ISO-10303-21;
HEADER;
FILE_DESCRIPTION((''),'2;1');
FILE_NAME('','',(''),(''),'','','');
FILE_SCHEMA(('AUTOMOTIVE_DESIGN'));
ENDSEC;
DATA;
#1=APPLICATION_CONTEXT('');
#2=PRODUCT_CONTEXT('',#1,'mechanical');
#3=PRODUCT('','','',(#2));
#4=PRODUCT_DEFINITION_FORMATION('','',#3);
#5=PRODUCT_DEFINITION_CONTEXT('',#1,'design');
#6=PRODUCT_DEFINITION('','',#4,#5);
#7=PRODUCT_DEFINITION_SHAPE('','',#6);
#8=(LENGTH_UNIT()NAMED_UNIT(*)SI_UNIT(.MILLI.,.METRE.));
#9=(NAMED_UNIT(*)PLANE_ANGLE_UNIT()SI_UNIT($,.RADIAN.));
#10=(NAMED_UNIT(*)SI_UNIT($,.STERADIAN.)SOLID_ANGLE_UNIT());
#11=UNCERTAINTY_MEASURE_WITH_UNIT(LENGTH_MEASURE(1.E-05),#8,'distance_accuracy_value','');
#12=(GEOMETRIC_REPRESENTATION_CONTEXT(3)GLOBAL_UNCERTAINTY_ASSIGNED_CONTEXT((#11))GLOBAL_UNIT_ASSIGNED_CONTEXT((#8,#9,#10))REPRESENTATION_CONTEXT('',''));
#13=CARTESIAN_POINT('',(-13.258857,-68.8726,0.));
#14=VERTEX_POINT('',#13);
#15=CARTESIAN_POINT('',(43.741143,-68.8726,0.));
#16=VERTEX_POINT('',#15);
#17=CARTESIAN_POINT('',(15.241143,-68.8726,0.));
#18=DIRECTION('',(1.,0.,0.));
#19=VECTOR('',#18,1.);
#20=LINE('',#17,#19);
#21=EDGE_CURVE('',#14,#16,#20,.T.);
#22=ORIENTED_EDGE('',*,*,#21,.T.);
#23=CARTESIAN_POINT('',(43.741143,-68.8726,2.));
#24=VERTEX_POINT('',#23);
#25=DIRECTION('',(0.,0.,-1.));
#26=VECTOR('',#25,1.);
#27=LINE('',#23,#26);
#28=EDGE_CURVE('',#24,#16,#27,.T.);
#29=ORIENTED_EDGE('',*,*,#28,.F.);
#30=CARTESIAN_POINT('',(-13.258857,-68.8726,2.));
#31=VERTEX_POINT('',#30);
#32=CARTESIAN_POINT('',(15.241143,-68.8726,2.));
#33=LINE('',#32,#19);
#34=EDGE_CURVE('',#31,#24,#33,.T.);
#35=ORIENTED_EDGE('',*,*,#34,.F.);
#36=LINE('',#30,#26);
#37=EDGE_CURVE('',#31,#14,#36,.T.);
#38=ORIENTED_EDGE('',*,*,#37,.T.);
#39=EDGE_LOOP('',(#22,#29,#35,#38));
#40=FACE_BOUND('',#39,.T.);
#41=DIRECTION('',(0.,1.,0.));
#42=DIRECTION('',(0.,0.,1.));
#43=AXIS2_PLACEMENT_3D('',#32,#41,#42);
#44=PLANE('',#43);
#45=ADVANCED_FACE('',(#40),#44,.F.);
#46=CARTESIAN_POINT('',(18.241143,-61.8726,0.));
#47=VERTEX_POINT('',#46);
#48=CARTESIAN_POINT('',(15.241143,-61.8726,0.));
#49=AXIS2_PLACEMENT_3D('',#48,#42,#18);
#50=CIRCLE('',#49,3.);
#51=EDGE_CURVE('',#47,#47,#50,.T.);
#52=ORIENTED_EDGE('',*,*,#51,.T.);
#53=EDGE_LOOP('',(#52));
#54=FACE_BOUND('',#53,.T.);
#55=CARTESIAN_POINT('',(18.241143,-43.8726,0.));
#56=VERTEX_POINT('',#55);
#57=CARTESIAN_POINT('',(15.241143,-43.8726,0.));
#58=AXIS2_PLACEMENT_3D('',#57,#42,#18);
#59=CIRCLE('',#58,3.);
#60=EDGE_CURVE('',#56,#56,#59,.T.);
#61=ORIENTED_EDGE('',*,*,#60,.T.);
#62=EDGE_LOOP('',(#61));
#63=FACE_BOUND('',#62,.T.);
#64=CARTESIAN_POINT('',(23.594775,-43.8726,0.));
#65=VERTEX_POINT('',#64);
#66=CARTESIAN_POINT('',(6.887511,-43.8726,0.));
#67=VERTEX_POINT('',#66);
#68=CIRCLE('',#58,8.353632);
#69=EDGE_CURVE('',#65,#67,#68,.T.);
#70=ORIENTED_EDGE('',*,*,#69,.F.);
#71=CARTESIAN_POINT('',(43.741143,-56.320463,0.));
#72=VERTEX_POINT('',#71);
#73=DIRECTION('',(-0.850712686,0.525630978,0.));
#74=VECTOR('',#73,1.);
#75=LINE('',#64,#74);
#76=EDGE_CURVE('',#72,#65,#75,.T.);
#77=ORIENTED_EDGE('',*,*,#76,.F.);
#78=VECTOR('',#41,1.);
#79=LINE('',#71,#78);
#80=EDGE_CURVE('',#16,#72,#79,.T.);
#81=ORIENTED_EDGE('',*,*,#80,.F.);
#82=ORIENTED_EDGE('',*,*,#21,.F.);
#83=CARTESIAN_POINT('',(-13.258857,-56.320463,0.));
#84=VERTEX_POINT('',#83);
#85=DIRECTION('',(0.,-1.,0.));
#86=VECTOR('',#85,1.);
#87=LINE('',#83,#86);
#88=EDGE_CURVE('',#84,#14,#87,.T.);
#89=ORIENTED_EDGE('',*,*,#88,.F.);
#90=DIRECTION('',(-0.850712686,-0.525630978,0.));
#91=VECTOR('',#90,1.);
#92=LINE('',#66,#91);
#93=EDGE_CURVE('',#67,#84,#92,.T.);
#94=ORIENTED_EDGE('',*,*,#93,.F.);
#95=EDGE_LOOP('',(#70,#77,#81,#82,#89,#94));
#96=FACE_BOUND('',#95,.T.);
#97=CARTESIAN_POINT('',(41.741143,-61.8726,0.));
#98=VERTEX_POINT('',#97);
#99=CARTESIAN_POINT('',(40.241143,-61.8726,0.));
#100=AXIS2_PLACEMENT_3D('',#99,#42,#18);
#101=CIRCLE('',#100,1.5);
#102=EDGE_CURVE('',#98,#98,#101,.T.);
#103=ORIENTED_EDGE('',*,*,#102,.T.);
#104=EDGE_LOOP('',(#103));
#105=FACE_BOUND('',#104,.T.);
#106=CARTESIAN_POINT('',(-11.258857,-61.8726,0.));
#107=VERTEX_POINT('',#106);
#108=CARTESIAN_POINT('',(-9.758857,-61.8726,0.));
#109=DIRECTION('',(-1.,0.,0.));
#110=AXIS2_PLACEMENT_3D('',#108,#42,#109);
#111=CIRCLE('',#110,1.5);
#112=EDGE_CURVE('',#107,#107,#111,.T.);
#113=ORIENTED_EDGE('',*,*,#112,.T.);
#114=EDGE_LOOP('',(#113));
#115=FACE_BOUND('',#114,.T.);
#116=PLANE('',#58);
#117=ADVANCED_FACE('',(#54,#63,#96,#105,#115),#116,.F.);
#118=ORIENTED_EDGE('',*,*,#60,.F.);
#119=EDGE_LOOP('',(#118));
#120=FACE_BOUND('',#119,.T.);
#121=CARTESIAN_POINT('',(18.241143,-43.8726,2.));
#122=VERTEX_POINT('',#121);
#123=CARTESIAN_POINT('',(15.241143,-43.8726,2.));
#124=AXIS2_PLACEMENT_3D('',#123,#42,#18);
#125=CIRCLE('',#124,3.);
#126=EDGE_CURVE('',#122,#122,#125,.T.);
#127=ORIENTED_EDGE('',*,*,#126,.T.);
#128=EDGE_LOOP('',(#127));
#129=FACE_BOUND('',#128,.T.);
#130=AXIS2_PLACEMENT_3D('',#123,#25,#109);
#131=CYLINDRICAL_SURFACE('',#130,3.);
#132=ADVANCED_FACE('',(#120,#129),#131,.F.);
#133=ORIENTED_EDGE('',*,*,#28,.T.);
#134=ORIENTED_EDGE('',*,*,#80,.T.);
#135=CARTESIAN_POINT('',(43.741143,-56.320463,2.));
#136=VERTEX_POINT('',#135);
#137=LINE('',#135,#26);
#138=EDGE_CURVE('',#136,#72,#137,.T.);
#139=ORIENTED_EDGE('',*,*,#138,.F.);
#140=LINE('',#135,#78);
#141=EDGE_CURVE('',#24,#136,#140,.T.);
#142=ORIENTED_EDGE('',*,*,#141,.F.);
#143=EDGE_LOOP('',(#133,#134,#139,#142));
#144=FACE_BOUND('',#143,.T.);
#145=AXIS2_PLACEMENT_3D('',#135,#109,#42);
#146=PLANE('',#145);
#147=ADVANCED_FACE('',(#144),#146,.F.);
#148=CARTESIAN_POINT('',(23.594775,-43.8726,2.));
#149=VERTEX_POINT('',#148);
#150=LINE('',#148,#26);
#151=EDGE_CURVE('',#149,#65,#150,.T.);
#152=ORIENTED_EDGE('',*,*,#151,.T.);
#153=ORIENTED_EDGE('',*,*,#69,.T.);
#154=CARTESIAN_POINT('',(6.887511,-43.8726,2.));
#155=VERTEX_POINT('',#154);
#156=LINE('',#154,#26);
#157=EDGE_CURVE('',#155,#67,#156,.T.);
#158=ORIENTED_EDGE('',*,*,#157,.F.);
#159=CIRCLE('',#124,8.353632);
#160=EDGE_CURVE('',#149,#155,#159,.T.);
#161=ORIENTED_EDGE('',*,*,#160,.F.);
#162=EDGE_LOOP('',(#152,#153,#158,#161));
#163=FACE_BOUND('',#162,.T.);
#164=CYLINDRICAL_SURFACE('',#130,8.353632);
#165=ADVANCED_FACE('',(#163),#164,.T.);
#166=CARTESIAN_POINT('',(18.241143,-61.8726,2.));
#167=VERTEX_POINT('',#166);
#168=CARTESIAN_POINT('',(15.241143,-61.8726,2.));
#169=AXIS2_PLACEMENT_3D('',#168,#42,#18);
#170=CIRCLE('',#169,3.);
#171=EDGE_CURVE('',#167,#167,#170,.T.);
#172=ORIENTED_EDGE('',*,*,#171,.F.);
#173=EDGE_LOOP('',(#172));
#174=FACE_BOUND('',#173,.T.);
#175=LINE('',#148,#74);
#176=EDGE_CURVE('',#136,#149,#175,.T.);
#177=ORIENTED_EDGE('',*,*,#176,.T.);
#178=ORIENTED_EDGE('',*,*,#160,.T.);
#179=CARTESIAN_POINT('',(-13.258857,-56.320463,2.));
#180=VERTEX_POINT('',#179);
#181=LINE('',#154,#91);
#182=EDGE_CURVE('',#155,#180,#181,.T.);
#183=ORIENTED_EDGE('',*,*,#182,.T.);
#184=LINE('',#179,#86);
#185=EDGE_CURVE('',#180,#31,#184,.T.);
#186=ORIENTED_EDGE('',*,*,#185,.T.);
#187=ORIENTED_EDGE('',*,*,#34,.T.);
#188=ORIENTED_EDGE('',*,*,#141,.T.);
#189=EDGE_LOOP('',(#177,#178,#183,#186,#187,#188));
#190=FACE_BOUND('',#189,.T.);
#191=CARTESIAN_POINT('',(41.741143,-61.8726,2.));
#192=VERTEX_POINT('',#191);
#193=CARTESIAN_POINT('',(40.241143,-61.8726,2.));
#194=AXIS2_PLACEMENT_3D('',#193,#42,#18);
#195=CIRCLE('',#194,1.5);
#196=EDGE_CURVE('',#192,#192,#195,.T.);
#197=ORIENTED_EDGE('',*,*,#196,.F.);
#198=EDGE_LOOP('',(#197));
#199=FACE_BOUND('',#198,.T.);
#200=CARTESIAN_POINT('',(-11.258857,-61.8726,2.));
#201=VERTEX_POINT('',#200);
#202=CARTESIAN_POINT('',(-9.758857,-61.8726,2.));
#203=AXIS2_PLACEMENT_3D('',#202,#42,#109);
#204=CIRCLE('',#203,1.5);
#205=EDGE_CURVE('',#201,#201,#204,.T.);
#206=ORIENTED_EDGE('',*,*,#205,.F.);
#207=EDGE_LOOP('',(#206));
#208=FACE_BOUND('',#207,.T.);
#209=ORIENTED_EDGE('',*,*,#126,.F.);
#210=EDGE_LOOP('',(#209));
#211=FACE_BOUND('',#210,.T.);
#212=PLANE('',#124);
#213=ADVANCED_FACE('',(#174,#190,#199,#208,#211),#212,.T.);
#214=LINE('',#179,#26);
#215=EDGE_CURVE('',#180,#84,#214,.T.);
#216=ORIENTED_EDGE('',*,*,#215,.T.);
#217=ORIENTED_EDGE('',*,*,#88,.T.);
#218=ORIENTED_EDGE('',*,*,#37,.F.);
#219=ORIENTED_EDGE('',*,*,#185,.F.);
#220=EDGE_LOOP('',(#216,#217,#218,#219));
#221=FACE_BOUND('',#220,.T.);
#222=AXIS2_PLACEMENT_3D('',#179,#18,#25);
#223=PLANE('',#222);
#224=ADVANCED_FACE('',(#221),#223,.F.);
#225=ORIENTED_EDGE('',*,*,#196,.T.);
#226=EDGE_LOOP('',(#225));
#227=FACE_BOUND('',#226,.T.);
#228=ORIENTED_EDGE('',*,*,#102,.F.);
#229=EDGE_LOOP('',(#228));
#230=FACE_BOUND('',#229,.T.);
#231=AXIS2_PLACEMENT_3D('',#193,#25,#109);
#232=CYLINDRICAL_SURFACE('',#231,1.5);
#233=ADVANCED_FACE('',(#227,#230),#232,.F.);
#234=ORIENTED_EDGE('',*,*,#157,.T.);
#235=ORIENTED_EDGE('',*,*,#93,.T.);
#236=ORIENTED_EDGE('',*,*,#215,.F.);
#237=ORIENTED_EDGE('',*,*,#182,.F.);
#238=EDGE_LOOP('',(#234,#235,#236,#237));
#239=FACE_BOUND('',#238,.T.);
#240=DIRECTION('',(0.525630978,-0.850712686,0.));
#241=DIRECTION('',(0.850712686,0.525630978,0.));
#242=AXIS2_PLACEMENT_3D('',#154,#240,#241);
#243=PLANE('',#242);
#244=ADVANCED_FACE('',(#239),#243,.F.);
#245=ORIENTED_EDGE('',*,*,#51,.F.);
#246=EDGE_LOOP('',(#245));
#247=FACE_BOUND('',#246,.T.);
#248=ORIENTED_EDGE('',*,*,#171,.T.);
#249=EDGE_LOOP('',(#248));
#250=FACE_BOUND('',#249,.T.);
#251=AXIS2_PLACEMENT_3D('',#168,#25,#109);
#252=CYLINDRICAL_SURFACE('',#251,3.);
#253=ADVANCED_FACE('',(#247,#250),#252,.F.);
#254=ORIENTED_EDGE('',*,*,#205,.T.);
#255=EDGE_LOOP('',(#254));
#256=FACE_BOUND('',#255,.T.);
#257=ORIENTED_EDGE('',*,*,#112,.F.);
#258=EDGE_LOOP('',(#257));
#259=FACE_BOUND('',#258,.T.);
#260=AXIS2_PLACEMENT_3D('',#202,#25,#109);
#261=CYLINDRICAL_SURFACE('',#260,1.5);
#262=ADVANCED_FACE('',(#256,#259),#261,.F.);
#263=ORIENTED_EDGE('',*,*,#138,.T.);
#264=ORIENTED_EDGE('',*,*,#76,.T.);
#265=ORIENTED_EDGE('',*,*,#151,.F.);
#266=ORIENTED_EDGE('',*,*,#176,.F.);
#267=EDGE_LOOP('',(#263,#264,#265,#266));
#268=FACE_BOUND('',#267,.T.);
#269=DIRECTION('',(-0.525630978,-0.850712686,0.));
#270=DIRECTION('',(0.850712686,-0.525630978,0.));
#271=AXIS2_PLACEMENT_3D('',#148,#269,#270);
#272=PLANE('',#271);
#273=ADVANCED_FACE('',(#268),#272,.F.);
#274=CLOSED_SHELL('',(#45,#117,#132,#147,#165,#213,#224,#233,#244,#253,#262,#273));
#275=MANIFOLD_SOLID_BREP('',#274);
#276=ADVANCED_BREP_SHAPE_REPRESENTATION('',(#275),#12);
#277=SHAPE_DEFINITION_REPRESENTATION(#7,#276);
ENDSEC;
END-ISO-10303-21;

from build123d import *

# Parameters (mm, degrees)
SKETCH_1_R      = 3
SKETCH_1_R_2    = 1.5
EXTRUDE_1_DEPTH = 2


with BuildPart() as part:
    # 草图1 → 凸台-拉伸1 (new body)
    with BuildSketch(Plane.XY):
        with BuildLine():
            Line((23.59477523, -43.872599913), (43.741142958, -56.320462917))
            Line((43.741142958, -56.320462917), (43.741142958, -68.872599913))
            Line((43.741142958, -68.872599913), (15.241142958, -68.872599913))
            Line((15.241142958, -68.872599913), (-13.258857042, -68.872599913))
            Line((-13.258857042, -68.872599913), (-13.258857042, -56.320462917))
            Line((-13.258857042, -56.320462917), (6.887510685, -43.872599913))
            ThreePointArc((6.887510685, -43.872599913), (15.241142958, -35.51896764), (23.59477523, -43.872599913))
        make_face()
        with Locations((15.241142958, -61.872599913)):
            Circle(SKETCH_1_R, mode=Mode.SUBTRACT)
        with Locations((40.241142958, -61.872599913)):
            Circle(SKETCH_1_R_2, mode=Mode.SUBTRACT)
        with Locations(Location((-9.758857042, -61.872599913, 0), (0, 0, 180))):
            Circle(SKETCH_1_R_2, mode=Mode.SUBTRACT)
        with Locations((15.241142958, -43.872599913)):
            Circle(SKETCH_1_R, mode=Mode.SUBTRACT)
    extrude(amount=EXTRUDE_1_DEPTH)


solid = part.part
